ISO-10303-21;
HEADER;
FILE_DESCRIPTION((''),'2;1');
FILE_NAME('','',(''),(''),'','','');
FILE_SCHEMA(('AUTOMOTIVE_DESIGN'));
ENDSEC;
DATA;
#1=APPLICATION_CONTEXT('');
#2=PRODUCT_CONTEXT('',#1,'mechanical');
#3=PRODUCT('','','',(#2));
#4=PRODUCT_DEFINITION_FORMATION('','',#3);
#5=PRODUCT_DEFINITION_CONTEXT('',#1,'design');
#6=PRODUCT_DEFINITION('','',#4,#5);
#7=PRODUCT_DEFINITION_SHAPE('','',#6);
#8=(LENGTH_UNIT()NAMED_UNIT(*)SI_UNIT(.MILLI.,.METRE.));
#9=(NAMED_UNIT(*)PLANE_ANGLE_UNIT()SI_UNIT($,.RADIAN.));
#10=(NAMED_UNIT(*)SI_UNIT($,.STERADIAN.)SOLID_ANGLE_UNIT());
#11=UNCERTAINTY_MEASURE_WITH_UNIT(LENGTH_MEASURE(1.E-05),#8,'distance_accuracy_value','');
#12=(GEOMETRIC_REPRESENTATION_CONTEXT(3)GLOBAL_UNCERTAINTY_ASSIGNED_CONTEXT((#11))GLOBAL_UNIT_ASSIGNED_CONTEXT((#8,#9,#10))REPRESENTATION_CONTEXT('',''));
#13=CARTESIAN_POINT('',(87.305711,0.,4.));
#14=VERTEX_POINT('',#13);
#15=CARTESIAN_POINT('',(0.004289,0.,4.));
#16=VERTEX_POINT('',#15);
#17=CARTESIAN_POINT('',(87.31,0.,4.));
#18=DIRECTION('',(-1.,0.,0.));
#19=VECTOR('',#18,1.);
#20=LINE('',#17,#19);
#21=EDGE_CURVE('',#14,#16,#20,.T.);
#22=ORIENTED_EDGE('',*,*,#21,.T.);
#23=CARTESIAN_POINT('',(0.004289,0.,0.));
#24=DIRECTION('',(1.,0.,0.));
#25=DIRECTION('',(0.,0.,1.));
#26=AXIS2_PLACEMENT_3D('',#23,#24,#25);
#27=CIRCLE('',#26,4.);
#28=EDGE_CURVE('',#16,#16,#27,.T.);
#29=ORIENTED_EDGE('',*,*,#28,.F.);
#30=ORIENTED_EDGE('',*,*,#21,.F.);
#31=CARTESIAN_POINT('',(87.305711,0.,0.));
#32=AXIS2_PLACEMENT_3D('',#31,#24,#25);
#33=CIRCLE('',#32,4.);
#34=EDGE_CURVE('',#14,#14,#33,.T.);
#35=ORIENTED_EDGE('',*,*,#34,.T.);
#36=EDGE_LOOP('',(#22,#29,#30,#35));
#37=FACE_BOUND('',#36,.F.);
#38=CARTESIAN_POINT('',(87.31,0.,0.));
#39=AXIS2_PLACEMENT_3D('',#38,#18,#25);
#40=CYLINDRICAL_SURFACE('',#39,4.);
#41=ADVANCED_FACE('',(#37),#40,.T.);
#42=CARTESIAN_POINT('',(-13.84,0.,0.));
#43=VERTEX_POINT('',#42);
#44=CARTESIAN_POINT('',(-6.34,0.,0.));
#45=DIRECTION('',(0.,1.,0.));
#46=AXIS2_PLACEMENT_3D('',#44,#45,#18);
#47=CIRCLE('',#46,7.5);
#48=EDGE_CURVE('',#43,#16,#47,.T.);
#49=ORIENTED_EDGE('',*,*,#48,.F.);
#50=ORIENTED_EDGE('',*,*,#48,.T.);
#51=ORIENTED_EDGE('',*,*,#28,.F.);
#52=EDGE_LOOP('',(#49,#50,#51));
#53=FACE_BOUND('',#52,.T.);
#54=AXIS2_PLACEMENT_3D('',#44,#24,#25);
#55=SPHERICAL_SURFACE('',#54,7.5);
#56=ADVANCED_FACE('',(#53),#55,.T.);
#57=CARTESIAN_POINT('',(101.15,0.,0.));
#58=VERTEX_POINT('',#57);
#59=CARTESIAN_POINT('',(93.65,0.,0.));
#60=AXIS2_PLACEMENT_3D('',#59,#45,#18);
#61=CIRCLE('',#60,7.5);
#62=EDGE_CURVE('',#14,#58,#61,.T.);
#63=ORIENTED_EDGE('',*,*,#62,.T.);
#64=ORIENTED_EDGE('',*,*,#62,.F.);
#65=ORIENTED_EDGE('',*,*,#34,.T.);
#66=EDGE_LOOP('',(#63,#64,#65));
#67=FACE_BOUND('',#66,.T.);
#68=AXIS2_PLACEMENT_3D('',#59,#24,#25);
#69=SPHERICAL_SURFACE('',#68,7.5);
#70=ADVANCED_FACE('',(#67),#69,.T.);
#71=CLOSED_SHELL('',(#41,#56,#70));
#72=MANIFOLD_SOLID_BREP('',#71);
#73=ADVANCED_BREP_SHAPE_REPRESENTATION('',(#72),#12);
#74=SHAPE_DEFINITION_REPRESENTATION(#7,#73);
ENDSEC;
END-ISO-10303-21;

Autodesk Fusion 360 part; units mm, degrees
sketch "Sketch1" plane through (0, 0, 0) normal (0, 1, 0) x (1, 0, 0)
  line L0 (0, 0) -> (87.31, 0)
  line L1 (87.31, 0) -> (87.31, -4)
  line L2 (87.31, -4) -> (0, -4)
  line L3 (0, -4) -> (0, 0)
  line L4 (0, 0) -> (126.6344, 0)
  arc A0 (86.15, 0) -> (101.15, 0) centre (93.65, 0) ccw
  arc A1 (-13.84, 0) -> (1.16, 0) centre (-6.34, 0) ccw
  line L5 (0, 0) -> (-20.0914, 0)
  dimension "d1" = 87.31
  dimension "d3" = 15
  dimension "d4" = 6.34
  dimension "d6" = 15
  dimension "d7" = 6.34
revolve "Revolve1" add sketch "Sketch1" angle 360 about axis through (0, 0, 0) along (1, 0, 0)
